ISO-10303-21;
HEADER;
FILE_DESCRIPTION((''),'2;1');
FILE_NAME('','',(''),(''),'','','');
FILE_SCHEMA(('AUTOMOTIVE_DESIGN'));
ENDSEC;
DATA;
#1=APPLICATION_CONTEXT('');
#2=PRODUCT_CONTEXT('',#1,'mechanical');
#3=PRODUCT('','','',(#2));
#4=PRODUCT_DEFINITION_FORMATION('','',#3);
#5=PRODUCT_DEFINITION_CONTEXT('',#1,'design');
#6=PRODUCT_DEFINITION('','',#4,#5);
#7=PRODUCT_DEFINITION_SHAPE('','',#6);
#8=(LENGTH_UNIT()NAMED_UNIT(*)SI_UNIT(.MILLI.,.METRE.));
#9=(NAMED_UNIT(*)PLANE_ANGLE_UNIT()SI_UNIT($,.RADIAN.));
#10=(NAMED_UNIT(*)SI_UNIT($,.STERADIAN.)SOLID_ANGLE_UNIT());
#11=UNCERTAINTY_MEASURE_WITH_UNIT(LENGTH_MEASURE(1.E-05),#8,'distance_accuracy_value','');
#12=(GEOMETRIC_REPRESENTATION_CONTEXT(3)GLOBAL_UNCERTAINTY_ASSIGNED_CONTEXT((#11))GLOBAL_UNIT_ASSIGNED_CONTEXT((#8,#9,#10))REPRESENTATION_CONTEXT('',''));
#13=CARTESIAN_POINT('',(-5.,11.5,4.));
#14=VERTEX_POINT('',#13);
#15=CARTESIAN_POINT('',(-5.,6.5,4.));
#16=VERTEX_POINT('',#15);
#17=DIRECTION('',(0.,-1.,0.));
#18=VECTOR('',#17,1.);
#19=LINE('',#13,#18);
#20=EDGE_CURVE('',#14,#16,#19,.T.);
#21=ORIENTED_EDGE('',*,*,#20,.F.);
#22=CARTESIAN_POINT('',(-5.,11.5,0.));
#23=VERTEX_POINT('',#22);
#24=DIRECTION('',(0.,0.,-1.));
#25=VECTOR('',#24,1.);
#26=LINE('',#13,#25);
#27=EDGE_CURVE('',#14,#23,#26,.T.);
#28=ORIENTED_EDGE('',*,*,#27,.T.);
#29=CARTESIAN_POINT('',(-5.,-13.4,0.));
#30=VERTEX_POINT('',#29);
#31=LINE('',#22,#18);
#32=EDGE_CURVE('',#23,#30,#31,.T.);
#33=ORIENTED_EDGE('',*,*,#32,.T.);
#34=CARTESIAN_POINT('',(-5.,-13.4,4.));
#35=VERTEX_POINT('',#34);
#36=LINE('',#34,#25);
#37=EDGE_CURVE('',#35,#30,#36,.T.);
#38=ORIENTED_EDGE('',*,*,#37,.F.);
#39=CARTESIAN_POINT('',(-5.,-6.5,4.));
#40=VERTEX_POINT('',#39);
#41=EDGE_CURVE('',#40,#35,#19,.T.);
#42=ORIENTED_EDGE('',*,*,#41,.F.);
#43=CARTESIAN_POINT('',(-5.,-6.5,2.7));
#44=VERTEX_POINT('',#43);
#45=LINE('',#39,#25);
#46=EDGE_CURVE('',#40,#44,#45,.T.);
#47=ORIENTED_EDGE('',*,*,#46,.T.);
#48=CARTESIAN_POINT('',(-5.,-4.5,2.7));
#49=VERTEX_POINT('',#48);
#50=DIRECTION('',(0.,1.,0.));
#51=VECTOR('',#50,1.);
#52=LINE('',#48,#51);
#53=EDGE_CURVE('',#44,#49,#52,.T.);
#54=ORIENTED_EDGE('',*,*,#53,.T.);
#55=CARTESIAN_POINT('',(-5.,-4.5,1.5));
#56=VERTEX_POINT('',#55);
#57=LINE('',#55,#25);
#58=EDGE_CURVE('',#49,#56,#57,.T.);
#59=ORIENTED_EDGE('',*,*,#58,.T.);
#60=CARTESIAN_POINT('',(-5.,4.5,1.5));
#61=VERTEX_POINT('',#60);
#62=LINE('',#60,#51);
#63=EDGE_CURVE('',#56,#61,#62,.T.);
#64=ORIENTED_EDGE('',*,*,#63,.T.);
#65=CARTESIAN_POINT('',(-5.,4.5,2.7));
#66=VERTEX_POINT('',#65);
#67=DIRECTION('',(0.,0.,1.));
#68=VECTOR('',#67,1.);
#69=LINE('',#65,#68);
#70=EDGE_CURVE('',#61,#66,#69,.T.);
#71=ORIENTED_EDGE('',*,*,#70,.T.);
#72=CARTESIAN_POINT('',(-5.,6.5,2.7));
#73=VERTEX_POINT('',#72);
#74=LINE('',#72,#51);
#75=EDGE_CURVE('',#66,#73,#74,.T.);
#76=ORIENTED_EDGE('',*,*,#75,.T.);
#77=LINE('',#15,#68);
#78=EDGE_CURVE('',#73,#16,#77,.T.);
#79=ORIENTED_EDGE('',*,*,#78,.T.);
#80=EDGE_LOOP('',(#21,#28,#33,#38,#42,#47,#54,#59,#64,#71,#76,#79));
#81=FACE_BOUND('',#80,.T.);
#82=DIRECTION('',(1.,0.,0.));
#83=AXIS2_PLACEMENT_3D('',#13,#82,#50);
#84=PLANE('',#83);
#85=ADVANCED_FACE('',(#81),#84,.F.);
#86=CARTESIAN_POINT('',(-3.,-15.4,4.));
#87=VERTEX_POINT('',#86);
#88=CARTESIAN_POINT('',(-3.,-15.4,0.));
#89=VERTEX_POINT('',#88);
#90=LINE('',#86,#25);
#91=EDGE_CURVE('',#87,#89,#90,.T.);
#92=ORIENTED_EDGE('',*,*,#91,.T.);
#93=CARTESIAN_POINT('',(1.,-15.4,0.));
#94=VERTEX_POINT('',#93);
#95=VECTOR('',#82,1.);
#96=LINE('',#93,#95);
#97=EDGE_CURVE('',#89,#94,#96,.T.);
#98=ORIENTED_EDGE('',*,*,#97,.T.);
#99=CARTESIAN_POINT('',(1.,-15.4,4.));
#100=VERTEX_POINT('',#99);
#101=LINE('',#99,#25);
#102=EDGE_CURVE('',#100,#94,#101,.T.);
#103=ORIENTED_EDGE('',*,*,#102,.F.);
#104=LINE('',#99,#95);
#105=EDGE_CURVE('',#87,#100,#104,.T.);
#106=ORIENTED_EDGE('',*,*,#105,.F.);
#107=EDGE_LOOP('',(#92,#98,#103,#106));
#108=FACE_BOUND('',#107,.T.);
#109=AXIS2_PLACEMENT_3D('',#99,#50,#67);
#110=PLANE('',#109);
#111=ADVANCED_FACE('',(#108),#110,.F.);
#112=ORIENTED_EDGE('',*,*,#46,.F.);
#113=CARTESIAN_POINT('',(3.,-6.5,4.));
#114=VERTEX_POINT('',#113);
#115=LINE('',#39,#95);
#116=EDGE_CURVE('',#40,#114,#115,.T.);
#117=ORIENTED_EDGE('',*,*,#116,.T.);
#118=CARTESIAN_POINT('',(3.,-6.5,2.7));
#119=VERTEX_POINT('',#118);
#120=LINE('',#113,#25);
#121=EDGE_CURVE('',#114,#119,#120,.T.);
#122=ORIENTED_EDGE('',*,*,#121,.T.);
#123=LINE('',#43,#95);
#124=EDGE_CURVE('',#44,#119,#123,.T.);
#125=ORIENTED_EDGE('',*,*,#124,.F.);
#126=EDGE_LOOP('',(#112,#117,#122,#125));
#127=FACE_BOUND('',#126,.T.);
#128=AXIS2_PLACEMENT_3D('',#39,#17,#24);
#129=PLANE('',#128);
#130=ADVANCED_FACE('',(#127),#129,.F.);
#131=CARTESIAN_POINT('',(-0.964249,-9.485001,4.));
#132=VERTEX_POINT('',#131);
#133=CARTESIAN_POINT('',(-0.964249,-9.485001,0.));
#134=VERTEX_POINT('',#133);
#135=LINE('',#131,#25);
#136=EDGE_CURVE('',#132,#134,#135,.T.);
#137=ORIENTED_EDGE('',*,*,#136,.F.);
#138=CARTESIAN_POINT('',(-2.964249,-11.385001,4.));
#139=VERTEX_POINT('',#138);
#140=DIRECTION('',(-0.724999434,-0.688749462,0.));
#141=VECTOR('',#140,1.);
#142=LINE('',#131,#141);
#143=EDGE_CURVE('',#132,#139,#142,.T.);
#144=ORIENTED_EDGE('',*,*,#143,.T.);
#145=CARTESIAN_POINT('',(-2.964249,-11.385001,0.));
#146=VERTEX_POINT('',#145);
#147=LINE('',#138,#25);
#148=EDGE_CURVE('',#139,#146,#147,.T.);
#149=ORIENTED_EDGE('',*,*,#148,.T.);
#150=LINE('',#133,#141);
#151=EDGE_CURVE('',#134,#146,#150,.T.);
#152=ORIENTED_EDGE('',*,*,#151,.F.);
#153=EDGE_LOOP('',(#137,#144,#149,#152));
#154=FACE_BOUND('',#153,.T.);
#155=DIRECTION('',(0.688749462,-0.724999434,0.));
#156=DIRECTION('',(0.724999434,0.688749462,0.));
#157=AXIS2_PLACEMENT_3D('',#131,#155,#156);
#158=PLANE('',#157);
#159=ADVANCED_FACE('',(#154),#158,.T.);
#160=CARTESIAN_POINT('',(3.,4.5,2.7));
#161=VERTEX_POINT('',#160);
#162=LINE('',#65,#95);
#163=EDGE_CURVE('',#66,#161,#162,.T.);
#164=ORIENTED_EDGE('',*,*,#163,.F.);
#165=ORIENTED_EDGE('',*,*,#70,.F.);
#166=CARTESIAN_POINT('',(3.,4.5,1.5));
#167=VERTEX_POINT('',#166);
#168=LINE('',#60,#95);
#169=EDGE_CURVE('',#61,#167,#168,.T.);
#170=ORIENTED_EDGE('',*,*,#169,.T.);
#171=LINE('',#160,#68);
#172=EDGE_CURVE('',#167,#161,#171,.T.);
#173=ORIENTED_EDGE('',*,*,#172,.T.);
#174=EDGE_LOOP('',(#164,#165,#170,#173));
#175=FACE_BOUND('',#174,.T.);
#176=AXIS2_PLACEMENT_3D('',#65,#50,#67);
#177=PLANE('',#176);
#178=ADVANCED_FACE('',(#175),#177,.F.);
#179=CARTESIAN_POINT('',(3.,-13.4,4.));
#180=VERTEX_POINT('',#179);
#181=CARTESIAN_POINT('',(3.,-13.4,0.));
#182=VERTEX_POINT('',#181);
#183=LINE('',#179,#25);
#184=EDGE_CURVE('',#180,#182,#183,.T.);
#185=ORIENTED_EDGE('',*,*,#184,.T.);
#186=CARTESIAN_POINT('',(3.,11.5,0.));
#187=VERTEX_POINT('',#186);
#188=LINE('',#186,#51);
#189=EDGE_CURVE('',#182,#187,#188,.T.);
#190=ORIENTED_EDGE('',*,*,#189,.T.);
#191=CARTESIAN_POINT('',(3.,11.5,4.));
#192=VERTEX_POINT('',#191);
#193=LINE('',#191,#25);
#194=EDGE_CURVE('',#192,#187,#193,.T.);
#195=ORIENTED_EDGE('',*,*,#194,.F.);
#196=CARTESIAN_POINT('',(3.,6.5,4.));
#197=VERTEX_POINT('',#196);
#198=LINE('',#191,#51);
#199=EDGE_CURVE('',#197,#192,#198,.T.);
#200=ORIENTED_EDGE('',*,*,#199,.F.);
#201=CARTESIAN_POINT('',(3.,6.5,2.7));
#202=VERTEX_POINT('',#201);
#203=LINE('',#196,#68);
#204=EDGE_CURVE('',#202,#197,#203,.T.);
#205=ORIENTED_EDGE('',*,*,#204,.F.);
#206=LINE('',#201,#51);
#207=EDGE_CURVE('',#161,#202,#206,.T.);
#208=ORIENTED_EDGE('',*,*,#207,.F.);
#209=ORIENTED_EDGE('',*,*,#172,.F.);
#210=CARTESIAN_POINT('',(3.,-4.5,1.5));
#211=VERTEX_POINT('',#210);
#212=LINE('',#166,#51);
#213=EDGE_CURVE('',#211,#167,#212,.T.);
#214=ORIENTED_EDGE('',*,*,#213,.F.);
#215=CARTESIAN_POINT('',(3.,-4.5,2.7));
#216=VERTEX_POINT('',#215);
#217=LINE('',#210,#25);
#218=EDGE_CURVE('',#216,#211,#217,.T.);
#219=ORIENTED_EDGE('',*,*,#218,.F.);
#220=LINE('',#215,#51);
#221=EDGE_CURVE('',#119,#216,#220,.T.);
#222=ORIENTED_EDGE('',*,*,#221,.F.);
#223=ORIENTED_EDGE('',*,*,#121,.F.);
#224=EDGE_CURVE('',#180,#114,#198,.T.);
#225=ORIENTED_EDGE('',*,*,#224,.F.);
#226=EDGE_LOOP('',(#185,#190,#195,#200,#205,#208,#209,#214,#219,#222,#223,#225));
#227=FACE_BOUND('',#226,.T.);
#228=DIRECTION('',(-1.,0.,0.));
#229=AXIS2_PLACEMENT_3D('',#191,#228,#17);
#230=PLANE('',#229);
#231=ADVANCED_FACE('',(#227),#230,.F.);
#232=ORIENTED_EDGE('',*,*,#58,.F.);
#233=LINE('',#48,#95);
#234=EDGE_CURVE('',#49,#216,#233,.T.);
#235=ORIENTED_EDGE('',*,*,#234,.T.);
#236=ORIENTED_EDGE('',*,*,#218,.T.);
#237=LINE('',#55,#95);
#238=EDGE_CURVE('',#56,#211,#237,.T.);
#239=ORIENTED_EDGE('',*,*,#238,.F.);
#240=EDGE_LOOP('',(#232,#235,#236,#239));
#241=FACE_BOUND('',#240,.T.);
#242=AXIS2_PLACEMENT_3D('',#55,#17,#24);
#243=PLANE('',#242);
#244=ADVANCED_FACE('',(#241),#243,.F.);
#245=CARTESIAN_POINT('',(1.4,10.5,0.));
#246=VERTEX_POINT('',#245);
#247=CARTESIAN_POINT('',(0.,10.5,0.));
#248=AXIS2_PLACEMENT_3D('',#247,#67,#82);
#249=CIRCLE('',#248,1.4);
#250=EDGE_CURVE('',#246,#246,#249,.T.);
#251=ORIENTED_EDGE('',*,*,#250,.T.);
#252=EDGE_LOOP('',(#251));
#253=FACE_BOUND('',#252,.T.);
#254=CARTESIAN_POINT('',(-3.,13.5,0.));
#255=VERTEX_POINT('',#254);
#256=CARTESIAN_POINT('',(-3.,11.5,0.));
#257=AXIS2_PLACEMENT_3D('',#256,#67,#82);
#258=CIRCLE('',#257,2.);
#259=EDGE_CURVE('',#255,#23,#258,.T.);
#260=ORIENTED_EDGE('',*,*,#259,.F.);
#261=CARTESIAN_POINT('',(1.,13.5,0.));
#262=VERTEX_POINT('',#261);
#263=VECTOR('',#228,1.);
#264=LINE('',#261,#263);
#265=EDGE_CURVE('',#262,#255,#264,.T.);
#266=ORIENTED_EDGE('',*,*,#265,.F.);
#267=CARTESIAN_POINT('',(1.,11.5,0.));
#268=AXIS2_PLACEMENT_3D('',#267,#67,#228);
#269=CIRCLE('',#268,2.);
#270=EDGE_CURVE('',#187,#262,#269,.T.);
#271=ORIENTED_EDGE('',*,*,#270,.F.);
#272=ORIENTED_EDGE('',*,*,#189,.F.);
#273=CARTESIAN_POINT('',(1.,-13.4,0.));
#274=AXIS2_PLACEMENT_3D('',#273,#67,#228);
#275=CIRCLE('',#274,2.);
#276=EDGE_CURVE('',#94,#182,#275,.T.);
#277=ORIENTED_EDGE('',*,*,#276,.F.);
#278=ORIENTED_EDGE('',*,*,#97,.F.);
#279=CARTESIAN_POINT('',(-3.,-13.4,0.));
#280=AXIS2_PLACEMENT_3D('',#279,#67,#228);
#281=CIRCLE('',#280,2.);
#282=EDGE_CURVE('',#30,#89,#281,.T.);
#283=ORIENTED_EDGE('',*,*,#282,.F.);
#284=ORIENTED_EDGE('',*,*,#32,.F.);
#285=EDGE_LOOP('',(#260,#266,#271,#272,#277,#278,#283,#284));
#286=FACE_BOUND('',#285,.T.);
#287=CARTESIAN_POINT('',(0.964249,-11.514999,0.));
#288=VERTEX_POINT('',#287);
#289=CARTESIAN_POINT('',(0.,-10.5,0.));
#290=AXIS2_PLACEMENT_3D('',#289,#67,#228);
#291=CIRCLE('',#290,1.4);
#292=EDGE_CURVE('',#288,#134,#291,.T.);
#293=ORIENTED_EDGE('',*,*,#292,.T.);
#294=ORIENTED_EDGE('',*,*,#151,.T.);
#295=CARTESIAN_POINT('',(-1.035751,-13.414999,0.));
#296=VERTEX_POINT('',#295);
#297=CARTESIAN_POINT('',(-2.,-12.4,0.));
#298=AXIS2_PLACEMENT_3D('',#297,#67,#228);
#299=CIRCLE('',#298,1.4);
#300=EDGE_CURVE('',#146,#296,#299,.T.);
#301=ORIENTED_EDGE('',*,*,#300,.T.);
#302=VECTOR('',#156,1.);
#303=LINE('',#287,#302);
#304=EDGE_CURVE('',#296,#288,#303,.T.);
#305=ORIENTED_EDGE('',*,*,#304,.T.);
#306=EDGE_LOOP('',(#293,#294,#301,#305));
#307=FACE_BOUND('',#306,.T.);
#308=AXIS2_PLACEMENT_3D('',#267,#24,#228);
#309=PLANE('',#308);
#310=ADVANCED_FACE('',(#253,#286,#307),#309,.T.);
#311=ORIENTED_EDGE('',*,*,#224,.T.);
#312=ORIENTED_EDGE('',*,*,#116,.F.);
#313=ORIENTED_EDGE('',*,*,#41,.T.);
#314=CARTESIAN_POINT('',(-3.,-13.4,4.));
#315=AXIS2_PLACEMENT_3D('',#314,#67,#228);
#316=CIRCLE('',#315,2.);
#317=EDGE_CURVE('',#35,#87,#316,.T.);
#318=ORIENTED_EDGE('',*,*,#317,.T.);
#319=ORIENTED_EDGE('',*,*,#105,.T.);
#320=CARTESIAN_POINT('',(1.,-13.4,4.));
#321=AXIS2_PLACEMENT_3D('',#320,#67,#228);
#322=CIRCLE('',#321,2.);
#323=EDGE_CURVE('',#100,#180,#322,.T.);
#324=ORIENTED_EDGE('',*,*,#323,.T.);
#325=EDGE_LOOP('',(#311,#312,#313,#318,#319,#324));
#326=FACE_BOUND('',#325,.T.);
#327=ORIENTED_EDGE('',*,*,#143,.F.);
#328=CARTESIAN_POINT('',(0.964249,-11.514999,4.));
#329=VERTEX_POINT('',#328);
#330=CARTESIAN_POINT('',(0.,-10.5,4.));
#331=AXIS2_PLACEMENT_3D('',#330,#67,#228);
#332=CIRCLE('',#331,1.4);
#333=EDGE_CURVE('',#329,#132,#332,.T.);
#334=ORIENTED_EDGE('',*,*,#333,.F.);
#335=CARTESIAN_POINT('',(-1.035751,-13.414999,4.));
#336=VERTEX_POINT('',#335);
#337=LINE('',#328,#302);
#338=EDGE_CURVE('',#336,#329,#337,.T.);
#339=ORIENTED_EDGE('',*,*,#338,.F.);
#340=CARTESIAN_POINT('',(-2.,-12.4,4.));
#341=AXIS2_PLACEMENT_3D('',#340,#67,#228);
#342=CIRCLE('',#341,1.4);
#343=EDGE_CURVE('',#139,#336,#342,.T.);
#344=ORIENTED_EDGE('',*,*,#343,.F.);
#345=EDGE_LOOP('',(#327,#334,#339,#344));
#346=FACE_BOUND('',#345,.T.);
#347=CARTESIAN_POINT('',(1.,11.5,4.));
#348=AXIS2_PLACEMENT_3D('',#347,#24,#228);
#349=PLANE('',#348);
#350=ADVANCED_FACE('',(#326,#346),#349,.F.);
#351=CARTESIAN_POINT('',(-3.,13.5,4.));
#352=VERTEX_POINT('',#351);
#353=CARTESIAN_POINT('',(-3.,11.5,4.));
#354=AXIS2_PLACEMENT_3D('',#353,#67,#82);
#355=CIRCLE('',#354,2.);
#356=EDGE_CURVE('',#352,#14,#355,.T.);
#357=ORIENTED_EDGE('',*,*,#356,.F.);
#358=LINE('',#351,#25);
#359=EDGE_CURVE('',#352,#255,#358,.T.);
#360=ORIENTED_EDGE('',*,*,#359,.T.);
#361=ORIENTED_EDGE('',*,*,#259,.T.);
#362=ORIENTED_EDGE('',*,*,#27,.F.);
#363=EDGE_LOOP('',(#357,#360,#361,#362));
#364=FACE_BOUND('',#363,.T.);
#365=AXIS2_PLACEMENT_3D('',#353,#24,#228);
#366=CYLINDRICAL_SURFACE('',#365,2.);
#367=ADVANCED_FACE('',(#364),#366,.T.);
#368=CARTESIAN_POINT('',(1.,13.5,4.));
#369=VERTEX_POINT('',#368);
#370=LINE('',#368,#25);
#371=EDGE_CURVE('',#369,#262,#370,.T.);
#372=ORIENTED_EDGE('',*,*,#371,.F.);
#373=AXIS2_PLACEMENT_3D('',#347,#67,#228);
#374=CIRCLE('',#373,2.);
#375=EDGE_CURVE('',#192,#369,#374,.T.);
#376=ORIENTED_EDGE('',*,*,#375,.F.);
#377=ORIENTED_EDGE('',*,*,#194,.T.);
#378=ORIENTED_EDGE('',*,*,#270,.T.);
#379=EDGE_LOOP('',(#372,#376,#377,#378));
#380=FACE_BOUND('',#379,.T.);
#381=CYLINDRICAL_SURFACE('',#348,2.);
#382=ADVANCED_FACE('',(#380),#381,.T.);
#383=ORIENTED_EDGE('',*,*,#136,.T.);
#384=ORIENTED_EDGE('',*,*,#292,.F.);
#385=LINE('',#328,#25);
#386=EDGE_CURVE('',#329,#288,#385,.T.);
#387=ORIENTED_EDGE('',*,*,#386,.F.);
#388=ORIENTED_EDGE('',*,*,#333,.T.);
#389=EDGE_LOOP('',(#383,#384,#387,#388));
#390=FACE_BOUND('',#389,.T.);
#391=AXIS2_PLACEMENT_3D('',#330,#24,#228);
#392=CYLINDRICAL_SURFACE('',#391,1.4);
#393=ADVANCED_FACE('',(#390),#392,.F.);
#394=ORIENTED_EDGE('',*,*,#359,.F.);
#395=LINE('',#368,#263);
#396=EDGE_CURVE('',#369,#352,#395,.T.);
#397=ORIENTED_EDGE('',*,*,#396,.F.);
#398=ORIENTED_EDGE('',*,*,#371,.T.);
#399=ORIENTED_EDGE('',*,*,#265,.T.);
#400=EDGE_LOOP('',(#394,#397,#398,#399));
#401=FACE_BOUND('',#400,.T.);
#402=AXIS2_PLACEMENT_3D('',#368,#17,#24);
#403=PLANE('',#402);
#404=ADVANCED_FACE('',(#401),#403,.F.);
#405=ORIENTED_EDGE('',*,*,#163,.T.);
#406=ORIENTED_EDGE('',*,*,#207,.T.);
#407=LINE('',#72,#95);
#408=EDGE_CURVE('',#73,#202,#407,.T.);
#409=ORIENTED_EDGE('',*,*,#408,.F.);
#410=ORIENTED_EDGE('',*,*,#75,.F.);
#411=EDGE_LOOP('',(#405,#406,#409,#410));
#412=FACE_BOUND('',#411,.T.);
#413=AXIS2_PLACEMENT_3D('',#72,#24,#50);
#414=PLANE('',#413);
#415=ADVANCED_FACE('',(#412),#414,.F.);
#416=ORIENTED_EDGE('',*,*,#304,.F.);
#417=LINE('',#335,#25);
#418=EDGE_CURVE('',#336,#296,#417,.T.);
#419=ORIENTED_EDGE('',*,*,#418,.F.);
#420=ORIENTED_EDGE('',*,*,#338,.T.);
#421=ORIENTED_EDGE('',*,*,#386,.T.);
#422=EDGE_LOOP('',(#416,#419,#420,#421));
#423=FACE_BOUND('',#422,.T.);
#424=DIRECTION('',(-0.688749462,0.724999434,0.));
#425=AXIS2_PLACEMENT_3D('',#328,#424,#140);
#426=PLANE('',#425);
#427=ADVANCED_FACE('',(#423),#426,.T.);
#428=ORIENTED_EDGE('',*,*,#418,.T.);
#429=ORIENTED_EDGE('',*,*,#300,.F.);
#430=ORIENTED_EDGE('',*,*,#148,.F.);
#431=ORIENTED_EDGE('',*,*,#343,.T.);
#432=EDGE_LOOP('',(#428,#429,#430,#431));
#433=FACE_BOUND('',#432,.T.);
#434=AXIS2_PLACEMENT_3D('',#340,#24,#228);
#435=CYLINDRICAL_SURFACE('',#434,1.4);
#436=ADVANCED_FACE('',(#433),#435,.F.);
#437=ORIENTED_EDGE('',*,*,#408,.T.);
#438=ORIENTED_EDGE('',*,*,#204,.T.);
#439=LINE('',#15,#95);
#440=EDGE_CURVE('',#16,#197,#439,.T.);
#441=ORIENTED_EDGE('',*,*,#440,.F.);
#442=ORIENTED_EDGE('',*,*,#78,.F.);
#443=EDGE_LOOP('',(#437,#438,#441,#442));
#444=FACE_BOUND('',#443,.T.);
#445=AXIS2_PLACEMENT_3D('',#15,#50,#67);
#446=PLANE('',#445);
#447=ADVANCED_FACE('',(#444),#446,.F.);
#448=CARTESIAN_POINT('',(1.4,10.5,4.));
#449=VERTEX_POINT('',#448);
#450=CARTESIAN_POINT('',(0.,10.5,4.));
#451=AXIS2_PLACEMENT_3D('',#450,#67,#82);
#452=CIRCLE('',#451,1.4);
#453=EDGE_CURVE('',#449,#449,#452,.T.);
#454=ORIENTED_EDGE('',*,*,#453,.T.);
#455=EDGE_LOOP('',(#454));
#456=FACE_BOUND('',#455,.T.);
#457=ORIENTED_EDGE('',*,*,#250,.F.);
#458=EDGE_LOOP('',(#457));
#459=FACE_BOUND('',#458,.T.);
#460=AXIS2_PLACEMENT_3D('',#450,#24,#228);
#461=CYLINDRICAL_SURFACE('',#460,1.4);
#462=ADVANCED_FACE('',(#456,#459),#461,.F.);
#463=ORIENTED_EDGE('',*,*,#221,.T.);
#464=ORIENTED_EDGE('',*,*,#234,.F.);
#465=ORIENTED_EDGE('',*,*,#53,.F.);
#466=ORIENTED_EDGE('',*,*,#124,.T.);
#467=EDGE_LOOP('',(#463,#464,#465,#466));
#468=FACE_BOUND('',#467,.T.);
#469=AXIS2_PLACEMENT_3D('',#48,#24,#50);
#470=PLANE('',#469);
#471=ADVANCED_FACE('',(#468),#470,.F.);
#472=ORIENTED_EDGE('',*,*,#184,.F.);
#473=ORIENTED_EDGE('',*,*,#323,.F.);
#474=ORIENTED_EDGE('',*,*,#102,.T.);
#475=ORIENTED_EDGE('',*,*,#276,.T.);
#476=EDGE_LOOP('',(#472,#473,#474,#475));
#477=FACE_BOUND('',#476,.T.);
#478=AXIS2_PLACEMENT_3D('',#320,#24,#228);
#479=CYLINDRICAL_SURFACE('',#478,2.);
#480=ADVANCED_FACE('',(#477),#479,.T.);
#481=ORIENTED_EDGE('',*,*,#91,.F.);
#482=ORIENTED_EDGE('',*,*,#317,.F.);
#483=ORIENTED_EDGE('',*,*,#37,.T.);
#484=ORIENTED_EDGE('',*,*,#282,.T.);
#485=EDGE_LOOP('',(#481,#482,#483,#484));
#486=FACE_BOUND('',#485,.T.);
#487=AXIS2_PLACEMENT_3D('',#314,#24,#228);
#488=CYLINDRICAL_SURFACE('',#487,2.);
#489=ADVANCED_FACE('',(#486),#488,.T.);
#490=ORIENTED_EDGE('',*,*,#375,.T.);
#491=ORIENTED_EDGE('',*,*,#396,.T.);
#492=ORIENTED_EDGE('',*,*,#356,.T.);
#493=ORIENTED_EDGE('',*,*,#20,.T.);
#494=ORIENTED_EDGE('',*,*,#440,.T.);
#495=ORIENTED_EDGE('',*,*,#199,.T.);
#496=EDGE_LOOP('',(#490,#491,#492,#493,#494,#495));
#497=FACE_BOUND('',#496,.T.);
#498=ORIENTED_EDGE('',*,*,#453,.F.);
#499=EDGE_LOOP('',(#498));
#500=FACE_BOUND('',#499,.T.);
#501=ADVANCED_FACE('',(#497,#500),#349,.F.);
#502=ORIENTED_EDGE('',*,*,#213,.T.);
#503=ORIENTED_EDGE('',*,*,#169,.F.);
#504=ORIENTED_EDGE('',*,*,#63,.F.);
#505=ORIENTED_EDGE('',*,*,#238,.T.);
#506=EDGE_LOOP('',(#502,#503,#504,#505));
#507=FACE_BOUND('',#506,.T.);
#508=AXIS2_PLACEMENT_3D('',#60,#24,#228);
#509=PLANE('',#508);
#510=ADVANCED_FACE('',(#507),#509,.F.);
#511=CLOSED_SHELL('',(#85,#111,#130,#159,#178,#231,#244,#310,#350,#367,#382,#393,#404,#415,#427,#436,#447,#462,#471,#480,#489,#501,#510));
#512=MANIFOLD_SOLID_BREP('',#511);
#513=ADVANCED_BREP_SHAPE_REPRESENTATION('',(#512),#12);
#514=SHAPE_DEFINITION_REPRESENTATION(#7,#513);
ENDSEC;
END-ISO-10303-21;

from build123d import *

# Parameters (mm, degrees)
SKETCH1_R           = 1.4
BOSS_EXTRUDE1_DEPTH = 4
CUT_EXTRUDE1_DEPTH  = 9


with BuildPart() as part:
    # Sketch1 → Boss-Extrude1 (new body)
    with BuildSketch(Plane.XY):
        with BuildLine():
            Line((-5, 11.5), (-5, -13.4))
            ThreePointArc((-5, -13.4), (-4.414213562, -14.814213562), (-3, -15.4))
            Line((-3, -15.4), (1, -15.4))
            ThreePointArc((1, -15.4), (2.414213562, -14.814213562), (3, -13.4))
            Line((3, -13.4), (3, 11.5))
            ThreePointArc((3, 11.5), (2.414213562, 12.914213562), (1, 13.5))
            Line((1, 13.5), (-3, 13.5))
            ThreePointArc((-3, 13.5), (-4.414213562, 12.914213562), (-5, 11.5))
        make_face()
        with Locations((0, 10.5)):
            Circle(SKETCH1_R, mode=Mode.SUBTRACT)
        with BuildLine():
            Line((0.964249247, -11.514999207), (-1.035750753, -13.414999207))
            ThreePointArc((-1.035750753, -13.414999207), (-3.014999207, -13.364249247), (-2.964249247, -11.385000793))
            Line((-2.964249247, -11.385000793), (-0.964249247, -9.485000793))
            ThreePointArc((-0.964249247, -9.485000793), (1.014999207, -9.535750753), (0.964249247, -11.514999207))
        make_face(mode=Mode.SUBTRACT)
    extrude(amount=BOSS_EXTRUDE1_DEPTH)

    # Sketch2 → Cut-Extrude1 (cut, through all)
    with BuildSketch(Plane(origin=(3, 0, 0), x_dir=(0, 0, -1), z_dir=(1, 0, 0))):
        Polygon((-4, 6.5), (-2.7, 6.5), (-2.7, 4.5), (-1.5, 4.5), (-1.5, -4.5), (-2.7, -4.5), (-2.7, -6.5), (-4, -6.5), align=None)
    extrude(amount=-CUT_EXTRUDE1_DEPTH, mode=Mode.SUBTRACT)


solid = part.part
